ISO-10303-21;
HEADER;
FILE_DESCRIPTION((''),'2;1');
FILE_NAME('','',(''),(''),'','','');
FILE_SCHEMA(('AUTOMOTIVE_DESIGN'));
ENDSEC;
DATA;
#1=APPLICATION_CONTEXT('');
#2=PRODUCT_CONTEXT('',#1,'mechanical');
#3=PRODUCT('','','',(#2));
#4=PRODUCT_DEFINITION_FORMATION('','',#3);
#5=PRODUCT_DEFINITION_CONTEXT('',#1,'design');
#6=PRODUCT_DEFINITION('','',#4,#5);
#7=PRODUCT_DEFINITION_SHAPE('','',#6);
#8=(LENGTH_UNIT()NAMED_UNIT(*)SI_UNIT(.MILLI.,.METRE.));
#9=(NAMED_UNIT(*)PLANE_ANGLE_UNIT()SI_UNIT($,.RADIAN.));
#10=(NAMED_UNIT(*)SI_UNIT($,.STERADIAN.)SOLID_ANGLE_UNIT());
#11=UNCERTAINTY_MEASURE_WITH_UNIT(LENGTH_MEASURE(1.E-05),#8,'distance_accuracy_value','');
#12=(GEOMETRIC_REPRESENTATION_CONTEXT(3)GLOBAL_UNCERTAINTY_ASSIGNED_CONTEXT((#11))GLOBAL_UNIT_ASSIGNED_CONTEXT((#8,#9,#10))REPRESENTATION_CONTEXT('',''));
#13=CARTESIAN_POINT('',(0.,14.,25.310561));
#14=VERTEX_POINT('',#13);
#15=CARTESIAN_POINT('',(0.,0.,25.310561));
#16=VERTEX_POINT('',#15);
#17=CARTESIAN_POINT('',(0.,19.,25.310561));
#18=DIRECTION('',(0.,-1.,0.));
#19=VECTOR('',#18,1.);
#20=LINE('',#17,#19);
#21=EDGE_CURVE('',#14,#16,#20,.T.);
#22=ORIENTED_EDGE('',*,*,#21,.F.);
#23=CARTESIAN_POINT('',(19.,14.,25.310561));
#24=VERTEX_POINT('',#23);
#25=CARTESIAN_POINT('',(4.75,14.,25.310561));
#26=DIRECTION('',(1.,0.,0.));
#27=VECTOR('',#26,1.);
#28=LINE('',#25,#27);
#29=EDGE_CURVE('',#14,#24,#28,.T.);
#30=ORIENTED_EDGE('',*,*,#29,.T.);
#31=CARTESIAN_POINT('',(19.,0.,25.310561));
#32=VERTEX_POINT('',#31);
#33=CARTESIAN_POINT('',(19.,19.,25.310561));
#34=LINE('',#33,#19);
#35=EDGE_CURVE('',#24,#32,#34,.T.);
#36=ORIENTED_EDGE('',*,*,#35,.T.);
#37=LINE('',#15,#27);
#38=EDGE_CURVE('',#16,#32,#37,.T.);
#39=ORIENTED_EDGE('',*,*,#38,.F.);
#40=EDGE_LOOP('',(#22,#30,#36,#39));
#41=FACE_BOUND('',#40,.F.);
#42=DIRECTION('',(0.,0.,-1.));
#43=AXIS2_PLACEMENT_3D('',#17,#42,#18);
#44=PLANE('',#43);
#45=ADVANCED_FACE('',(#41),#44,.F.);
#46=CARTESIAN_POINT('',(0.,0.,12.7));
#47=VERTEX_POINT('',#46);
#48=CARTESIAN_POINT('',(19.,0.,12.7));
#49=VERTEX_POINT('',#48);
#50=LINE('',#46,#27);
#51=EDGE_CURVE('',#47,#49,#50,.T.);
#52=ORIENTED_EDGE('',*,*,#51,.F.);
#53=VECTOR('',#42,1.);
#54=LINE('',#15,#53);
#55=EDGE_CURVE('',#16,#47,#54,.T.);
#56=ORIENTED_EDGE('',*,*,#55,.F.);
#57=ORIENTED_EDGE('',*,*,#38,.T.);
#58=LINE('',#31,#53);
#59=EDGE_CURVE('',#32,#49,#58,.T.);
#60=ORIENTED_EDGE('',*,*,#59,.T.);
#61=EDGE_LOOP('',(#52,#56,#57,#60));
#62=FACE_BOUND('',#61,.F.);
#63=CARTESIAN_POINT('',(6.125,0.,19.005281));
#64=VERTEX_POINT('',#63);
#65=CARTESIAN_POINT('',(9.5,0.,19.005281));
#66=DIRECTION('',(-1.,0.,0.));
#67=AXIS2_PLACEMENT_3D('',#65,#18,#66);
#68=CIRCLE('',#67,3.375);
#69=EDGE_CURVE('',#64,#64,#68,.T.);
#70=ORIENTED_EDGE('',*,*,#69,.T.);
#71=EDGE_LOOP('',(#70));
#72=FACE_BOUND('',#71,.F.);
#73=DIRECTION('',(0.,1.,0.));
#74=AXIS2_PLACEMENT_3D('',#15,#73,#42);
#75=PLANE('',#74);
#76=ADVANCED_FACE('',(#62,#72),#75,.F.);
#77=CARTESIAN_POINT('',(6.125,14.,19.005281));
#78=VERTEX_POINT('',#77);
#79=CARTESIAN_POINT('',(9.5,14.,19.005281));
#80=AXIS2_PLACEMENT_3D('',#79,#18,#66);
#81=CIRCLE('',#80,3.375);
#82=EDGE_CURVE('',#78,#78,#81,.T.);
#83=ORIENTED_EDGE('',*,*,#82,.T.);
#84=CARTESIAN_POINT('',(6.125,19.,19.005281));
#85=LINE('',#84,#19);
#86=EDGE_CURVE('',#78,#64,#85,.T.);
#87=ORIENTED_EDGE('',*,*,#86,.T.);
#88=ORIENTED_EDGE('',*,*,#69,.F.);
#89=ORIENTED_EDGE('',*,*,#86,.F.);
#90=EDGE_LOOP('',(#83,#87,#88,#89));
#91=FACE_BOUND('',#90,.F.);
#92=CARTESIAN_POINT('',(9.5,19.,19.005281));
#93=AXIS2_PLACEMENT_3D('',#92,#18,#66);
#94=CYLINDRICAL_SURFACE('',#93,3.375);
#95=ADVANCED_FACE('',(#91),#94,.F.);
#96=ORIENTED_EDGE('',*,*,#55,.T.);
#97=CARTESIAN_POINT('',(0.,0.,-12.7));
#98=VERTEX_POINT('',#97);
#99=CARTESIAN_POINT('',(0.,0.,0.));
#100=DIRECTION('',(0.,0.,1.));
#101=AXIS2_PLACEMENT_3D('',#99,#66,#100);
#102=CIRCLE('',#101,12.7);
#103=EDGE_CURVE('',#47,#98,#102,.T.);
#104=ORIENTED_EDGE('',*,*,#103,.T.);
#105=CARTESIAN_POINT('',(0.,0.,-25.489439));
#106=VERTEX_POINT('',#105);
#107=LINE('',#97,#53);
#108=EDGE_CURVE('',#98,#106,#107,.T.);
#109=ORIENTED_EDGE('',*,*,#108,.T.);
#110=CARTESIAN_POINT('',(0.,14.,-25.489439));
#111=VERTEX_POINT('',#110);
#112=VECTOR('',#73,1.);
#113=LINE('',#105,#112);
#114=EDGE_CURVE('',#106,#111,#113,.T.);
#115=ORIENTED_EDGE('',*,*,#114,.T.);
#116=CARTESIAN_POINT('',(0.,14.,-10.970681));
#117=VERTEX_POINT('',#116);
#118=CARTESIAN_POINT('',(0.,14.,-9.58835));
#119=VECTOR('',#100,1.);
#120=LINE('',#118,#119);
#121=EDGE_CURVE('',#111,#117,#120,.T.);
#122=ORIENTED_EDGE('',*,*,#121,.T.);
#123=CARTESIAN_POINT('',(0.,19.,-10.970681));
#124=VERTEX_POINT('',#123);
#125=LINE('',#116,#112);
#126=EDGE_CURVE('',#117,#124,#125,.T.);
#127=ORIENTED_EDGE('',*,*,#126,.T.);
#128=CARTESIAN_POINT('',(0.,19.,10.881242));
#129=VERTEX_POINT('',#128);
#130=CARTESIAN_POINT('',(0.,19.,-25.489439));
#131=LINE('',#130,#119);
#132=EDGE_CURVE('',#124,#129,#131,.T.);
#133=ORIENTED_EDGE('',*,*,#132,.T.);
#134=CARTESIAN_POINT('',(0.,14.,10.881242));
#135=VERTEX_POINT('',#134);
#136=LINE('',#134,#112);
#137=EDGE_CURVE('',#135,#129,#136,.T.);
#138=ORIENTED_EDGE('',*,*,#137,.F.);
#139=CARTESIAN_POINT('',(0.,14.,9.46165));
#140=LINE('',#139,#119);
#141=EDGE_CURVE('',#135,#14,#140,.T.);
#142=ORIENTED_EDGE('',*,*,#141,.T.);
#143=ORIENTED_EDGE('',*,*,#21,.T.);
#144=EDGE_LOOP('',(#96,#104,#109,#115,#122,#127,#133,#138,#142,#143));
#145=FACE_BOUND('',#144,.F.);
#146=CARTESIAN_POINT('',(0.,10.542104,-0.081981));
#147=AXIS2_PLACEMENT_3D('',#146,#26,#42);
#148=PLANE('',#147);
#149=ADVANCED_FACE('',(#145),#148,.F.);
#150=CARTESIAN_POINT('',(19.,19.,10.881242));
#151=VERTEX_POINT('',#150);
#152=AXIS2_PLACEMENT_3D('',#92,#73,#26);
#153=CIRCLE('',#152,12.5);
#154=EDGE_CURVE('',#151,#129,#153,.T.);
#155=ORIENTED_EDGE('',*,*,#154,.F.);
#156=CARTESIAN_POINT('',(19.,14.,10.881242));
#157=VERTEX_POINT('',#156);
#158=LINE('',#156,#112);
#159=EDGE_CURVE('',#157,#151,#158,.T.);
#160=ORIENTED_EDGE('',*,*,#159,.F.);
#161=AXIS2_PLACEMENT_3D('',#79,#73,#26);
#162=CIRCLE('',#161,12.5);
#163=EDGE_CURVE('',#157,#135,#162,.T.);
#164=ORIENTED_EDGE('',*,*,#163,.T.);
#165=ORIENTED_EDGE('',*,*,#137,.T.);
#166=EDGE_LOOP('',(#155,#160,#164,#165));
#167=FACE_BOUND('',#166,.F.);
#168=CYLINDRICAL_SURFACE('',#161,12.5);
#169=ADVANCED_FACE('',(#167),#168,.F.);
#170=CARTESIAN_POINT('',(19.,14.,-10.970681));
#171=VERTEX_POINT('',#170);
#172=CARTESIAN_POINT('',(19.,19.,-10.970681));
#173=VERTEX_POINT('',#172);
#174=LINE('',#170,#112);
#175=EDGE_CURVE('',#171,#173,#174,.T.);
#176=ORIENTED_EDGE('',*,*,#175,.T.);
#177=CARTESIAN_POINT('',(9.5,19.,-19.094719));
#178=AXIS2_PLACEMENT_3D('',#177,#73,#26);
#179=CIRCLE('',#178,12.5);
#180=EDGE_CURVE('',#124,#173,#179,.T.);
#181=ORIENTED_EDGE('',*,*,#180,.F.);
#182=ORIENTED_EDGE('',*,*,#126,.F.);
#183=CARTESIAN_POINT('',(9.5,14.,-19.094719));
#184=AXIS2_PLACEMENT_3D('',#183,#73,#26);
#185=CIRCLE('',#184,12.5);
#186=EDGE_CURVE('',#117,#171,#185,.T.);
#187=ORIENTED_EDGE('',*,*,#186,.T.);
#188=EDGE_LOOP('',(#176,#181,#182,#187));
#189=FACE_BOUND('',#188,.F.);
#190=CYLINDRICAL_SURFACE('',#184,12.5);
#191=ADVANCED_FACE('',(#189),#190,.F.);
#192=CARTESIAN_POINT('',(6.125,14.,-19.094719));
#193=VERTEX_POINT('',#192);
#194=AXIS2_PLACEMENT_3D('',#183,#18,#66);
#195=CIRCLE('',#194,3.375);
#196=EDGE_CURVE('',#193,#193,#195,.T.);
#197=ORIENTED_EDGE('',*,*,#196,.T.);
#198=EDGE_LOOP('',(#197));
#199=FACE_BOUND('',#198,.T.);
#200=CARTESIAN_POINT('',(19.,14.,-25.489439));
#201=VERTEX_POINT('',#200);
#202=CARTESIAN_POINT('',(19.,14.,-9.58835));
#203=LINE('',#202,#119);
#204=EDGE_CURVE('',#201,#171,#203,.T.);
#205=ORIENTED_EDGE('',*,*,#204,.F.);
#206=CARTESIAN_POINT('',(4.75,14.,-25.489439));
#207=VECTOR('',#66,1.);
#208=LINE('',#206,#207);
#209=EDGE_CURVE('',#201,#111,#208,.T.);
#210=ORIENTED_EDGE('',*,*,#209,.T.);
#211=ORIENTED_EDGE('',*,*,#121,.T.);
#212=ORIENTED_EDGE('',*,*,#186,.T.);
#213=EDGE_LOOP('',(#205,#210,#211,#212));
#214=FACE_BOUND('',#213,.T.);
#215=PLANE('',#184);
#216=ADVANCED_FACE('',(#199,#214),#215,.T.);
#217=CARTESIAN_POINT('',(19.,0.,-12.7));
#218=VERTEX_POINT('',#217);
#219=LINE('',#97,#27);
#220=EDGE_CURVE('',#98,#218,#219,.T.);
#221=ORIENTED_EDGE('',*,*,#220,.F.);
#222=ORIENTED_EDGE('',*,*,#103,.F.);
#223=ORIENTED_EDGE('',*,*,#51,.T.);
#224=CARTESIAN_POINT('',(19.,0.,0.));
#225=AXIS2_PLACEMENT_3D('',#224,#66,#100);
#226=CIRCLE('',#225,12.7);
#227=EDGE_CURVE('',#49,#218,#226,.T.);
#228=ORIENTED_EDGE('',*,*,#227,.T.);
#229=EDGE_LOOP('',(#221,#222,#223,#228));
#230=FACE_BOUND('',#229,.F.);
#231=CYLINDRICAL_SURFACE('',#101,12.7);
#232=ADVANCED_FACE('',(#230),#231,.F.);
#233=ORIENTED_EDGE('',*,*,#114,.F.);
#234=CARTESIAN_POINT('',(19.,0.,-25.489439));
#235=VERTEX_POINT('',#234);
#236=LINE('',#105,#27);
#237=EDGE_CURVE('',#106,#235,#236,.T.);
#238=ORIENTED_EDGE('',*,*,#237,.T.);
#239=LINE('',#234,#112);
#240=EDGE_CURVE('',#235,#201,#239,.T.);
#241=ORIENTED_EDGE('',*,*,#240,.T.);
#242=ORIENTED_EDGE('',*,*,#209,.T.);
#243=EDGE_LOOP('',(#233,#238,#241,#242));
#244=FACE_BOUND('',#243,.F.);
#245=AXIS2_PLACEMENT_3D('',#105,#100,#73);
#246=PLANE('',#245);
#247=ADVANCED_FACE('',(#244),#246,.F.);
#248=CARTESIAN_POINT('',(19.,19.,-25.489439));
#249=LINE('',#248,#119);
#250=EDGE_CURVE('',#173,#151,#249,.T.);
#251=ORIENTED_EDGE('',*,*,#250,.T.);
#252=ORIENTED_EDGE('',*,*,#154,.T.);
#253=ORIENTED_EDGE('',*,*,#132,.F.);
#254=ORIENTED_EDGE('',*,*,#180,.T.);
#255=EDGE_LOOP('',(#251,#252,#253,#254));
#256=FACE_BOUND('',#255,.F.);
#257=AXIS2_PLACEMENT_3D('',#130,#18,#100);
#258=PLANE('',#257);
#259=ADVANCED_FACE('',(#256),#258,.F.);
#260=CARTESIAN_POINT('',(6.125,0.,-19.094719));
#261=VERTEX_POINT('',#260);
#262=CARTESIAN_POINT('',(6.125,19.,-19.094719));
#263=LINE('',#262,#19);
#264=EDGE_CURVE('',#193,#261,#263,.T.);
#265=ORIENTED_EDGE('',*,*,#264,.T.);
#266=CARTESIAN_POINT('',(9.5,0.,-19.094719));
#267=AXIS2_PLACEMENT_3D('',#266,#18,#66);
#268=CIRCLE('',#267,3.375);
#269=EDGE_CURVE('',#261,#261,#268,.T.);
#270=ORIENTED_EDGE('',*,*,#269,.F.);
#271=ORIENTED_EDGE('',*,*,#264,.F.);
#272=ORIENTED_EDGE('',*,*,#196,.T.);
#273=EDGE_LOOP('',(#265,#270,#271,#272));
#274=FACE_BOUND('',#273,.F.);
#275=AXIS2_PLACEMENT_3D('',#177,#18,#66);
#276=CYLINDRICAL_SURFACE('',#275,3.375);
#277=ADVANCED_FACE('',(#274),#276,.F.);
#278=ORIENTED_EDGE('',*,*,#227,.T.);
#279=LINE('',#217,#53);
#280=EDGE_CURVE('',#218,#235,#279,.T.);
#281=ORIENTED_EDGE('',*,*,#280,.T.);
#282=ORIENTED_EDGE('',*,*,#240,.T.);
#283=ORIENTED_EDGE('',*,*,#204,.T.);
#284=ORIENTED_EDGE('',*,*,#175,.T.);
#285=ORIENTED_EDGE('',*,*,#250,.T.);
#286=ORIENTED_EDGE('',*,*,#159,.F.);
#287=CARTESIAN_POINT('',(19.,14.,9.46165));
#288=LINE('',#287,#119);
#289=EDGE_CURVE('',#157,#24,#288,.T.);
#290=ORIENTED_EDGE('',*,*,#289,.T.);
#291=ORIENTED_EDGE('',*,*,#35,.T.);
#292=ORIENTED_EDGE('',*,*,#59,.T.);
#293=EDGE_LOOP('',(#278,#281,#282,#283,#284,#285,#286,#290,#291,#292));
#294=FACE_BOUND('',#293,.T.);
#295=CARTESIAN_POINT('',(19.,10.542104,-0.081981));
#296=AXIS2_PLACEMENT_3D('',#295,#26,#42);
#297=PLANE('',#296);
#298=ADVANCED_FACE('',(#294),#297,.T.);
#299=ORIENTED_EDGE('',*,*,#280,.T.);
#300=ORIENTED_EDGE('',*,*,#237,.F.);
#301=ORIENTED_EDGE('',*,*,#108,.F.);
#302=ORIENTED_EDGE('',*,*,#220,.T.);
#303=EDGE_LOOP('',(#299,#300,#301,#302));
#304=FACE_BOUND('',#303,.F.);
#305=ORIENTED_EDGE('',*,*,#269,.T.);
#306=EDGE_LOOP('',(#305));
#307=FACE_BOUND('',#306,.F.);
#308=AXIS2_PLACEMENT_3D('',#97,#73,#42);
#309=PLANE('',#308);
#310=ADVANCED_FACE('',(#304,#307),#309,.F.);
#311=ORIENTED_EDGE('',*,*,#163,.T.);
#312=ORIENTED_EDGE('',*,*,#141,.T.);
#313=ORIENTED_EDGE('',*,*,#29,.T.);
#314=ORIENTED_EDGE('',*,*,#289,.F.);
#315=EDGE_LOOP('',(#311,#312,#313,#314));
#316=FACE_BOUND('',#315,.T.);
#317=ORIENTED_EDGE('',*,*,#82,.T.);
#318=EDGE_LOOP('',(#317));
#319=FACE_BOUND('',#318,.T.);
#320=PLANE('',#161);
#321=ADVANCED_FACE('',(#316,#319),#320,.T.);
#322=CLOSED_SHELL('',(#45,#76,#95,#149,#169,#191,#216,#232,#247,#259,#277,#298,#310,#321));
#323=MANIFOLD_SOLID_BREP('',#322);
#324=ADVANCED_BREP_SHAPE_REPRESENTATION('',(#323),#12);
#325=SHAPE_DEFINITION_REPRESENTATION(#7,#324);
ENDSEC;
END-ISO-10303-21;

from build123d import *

# Parameters (mm, degrees)
BOSS_EXTRUDE1_DEPTH                           = 19
CBORE_FOR_M12_HEX_HEAD_CAP_SCREW4_D           = 6.75
CBORE_FOR_M12_HEX_HEAD_CAP_SCREW4_CBORE_D     = 25
CBORE_FOR_M12_HEX_HEAD_CAP_SCREW4_CBORE_DEPTH = 5


with BuildPart() as part:
    # Sketch1 → Boss-Extrude1 (new body)
    with BuildSketch(Plane(origin=(0, 0, 0), x_dir=(0, 0, -1), z_dir=(1, 0, 0))):
        with BuildLine():
            ThreePointArc((-12.7, 0), (0, 12.7), (12.7, 0))
            Line((12.7, 0), (25.489438761, 0))
            Line((25.489438761, 0), (25.489438761, 19))
            Line((25.489438761, 19), (-25.310561239, 19))
            Line((-25.310561239, 19), (-25.310561239, 0))
            Line((-25.310561239, 0), (-12.7, 0))
        make_face()
    extrude(amount=BOSS_EXTRUDE1_DEPTH)

    # CBORE for M12 Hex Head Cap Screw4 (through all)
    with Locations(Plane(origin=(0, 19, 0), x_dir=(1, 0, 0), z_dir=(0, 1, 0))):
        with Locations((9.5, 19.094719381), (9.5, -19.005280619)):
            CounterBoreHole(CBORE_FOR_M12_HEX_HEAD_CAP_SCREW4_D / 2, CBORE_FOR_M12_HEX_HEAD_CAP_SCREW4_CBORE_D / 2, CBORE_FOR_M12_HEX_HEAD_CAP_SCREW4_CBORE_DEPTH)


solid = part.part
